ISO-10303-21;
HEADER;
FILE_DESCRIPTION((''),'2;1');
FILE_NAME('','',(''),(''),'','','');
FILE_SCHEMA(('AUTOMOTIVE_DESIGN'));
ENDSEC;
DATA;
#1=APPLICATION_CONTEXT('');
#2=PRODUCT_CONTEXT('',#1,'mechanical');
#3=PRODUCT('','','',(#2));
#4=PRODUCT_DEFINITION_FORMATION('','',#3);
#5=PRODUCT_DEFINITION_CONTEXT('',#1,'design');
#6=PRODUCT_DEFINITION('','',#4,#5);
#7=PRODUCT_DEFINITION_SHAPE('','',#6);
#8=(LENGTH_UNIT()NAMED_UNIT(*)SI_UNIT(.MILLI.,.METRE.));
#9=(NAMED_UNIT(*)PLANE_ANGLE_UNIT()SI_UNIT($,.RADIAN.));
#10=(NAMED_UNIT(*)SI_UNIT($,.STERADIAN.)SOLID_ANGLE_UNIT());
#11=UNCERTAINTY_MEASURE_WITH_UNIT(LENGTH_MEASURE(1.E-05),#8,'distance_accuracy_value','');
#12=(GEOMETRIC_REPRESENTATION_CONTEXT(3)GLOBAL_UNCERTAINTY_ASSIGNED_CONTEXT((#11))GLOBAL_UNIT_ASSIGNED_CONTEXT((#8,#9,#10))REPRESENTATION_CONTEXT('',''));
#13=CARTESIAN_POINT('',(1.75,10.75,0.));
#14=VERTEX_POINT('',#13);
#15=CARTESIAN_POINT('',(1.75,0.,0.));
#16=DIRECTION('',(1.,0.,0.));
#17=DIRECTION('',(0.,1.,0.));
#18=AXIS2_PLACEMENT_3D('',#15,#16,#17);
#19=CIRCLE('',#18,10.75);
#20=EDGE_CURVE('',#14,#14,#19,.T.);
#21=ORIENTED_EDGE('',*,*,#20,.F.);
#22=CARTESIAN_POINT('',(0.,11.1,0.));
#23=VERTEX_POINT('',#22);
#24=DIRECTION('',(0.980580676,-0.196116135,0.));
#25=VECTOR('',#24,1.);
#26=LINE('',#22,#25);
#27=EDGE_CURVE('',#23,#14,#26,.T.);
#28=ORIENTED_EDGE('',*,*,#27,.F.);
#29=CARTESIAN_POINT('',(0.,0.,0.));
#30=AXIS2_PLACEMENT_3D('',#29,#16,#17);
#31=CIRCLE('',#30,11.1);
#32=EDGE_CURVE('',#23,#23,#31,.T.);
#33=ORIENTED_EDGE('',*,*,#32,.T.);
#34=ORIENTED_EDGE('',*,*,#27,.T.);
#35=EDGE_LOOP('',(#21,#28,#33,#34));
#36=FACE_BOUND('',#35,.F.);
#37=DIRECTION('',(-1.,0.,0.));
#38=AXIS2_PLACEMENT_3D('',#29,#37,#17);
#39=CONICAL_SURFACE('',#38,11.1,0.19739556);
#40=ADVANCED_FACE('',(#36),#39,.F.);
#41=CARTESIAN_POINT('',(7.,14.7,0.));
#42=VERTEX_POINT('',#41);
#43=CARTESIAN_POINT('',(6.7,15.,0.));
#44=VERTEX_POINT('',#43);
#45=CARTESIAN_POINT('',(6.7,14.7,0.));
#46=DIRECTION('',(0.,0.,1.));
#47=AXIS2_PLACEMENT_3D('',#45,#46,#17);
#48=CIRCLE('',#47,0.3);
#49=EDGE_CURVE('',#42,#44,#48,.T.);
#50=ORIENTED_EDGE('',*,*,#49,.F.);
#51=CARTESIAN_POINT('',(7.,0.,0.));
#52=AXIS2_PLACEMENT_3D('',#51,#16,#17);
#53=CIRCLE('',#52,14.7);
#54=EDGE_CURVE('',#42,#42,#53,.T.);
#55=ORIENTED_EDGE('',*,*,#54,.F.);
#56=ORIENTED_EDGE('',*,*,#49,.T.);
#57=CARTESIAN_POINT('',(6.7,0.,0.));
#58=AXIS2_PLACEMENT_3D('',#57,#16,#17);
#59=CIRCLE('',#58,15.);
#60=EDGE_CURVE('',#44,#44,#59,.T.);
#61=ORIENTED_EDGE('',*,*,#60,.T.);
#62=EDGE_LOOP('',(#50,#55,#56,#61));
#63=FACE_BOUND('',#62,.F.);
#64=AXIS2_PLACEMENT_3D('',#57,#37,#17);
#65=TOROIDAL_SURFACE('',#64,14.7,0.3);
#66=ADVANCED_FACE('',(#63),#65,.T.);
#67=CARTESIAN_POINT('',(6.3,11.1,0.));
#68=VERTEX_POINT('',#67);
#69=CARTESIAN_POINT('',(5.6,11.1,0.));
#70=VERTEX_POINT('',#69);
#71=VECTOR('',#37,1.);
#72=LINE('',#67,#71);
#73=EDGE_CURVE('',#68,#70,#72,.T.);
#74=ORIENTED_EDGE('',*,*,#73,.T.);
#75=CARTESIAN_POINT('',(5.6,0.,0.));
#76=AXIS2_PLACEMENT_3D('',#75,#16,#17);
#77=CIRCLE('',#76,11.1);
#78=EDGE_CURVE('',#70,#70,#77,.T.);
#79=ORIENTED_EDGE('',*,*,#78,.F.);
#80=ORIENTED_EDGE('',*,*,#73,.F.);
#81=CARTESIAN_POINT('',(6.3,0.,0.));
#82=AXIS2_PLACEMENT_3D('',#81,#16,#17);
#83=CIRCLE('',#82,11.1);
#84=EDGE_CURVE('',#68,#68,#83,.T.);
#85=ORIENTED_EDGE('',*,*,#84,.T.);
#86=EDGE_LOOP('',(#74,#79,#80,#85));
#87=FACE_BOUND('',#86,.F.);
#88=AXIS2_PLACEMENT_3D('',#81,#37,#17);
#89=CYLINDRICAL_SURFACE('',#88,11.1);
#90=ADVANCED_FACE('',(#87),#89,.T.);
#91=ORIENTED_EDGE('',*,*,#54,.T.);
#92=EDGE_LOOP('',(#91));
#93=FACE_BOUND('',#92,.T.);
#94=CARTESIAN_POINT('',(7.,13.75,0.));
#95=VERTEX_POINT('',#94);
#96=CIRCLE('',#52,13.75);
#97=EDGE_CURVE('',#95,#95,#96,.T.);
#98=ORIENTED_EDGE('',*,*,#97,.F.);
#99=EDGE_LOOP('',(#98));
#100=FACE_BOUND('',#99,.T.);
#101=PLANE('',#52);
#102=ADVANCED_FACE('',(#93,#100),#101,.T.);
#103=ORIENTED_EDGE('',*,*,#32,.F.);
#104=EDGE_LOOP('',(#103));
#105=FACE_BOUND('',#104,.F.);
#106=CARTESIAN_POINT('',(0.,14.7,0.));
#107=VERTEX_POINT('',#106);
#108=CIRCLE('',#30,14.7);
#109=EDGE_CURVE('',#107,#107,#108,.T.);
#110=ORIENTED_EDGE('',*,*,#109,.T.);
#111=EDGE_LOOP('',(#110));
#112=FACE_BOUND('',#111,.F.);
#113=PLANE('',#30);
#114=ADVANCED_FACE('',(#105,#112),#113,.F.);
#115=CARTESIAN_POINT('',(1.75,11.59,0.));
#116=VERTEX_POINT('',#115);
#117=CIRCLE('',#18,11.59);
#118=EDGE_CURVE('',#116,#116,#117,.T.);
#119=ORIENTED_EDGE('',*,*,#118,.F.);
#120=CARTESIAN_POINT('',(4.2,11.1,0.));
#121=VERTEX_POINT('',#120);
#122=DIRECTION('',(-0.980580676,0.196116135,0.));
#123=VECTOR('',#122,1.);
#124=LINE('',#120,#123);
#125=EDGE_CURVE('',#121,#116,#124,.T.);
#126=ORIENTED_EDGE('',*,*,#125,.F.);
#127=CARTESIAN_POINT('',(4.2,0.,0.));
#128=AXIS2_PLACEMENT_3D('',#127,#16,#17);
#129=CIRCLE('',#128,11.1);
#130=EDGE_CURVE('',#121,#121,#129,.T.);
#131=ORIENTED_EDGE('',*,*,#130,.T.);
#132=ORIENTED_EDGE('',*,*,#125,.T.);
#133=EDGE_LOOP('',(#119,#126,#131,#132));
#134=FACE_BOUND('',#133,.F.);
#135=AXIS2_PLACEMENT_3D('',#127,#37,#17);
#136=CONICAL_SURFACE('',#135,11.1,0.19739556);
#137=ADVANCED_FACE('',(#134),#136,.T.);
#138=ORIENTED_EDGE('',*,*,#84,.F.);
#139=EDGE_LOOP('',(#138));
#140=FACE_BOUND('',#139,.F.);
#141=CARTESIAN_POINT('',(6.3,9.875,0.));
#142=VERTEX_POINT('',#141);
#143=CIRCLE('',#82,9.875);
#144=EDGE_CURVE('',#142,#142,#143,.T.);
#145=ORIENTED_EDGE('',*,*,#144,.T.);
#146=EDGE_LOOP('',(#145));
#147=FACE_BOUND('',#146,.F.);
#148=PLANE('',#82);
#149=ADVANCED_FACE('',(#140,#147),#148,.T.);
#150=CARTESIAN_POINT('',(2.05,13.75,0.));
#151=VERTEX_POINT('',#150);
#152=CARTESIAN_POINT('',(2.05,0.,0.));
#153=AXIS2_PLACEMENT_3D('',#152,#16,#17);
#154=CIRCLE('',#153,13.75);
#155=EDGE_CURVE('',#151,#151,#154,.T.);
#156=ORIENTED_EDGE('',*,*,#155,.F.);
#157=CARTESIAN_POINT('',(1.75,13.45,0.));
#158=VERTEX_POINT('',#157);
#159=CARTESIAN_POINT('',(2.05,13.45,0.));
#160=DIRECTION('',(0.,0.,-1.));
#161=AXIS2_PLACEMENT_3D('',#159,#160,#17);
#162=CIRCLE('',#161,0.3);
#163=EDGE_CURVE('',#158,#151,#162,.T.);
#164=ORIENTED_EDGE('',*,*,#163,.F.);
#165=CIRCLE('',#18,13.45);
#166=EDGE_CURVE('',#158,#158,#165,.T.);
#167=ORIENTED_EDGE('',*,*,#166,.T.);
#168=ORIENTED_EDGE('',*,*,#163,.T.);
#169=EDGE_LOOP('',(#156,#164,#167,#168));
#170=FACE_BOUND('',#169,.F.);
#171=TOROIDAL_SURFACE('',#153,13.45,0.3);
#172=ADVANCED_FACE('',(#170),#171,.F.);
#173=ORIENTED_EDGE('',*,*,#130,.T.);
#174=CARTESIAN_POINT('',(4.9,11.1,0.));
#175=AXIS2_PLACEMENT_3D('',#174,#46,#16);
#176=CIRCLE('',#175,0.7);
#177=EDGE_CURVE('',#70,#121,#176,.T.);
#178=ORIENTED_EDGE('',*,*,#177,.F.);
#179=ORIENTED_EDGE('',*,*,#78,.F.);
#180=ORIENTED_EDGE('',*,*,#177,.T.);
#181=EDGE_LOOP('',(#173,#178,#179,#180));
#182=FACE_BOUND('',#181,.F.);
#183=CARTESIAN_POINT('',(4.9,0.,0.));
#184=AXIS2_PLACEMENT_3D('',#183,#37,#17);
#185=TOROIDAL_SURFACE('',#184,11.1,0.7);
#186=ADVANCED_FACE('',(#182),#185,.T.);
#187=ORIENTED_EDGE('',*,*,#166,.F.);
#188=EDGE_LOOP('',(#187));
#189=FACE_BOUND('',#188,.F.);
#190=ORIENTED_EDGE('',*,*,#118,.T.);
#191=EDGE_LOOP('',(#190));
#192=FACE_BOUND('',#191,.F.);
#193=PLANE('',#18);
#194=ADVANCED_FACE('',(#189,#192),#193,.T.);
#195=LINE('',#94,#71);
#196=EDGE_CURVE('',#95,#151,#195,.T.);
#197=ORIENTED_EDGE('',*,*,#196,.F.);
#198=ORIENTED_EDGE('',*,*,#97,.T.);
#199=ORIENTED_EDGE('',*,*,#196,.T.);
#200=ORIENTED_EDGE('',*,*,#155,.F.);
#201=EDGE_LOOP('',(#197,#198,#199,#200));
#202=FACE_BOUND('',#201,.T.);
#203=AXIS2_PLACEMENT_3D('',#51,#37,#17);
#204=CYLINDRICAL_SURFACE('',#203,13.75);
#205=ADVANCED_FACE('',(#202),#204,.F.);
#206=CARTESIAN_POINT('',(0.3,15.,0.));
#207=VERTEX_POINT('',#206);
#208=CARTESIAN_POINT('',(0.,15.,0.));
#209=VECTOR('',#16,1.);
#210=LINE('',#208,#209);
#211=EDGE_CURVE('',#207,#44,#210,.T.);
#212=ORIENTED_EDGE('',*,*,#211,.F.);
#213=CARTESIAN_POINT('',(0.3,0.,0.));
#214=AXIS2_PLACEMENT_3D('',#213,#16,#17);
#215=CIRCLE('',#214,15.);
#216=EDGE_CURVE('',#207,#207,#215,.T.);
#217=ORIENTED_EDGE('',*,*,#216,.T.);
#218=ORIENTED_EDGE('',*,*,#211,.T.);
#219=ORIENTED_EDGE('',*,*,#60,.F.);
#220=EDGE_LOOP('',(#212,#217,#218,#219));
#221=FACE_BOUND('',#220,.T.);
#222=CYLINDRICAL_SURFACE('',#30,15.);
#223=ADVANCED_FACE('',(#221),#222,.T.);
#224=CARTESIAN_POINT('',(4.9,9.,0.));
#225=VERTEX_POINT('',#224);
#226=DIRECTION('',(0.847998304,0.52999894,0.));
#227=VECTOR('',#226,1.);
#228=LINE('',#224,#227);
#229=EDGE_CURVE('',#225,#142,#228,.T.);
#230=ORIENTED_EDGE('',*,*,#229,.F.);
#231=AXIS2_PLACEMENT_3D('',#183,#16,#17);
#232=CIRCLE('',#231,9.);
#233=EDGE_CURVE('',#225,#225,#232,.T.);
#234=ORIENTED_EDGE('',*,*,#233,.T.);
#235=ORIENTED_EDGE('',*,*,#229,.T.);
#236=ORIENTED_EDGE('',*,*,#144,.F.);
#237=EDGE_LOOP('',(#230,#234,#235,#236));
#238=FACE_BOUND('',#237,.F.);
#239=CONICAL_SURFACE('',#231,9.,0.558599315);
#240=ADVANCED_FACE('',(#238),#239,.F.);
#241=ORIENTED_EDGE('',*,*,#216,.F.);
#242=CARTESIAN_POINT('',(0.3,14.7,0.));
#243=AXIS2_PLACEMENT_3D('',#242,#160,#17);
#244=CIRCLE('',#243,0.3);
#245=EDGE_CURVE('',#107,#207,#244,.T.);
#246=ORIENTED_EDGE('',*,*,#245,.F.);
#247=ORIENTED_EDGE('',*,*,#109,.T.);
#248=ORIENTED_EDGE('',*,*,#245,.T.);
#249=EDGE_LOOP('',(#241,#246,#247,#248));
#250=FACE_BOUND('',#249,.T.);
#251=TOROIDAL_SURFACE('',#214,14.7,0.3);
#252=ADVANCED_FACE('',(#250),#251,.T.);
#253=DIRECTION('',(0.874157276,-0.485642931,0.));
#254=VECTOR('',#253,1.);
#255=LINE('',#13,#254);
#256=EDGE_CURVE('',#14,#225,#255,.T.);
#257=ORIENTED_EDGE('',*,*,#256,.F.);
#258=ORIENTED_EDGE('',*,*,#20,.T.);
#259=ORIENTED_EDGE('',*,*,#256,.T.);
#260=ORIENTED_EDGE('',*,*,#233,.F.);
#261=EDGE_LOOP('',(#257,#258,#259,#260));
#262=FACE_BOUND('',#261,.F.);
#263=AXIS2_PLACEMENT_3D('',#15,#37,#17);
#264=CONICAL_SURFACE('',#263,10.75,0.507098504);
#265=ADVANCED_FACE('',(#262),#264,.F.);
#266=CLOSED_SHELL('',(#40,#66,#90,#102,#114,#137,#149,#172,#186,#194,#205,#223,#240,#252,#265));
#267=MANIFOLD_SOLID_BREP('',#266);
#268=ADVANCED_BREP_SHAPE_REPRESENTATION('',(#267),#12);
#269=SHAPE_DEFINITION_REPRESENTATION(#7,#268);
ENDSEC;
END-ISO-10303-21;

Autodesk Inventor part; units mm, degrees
ref_plane "YZ Plane" through (0, 0, 0) normal (1, 0, 0) x (0, 1, 0)
ref_plane "XZ Plane" through (0, 0, 0) normal (0, 1, 0) x (-1, 0, 0)
ref_plane "XY Plane" through (0, 0, 0) normal (0, 0, 1) x (1, 0, 0)
sketch "Sketch1" plane through (0, 0, 0) normal (0, 0, 1) x (1, 0, 0)
  circle A0 centre (4.9, 11.1) radius 0.455
  circle A1 centre (4.9, 11.1) radius 0.7
  line L0 (6.3, 9.875) -> (6.3, 11.1)
  line L1 (0, 15) -> (7, 15)
  line L2 (7, 15) -> (7, 13.75)
  line L3 (7, 13.75) -> (1.75, 13.75)
  line L4 (0, 0) -> (9.5856, 0)
  line L5 (0, 15) -> (0, 11.1)
  line L6 (0, 11.1) -> (1.75, 10.75)
  line L7 (1.75, 10.75) -> (4.9, 9)
  line L8 (4.9, 9) -> (6.3, 9.875)
  line L9 (4.9, 9) -> (0, 9) construction
  line L10 (0, 18) -> (0, -3) projected
  line L11 (-1.9171, 0) -> (11.5027, 0) projected
  line L12 (4.2, 11.1) -> (1.75, 11.59)
  line L13 (1.75, 11.59) -> (1.75, 13.75)
  line L14 (6.3, 11.1) -> (5.6, 11.1)
  dimension "d0" = 30
  dimension "d1" = 19.75
  dimension "d2" = 1.25
  dimension "d3" = 0.91
  dimension "d4" = 1.4
  dimension "d5" = 18
  dimension "d6" = 21.5
  dimension "d7" = 22.2
  dimension "d8" = 4.9
  dimension "d9" = 6.3
  dimension "d10" = 7
  dimension "d12" = 1.75
revolve "Body" add sketch "Sketch1" angle 360 about axis through (0, 0, 0) along (1, 0, 0) contours L14 L0 L8 L7 L6 L5 L1 L2 L3 L13 L12 A1
revolve "Spring1" add sketch "Sketch1" angle 360 about axis through (0, 0, 0) along (1, 0, 0) contours A0 | A1
fillet "Fillet1" radius 0.3 3 edges at (7, -15, 0) (1.75, -13.75, 0) (0, -15, 0)
equation "\"d0\" = SD2"
equation "\"d1\" = ABDM"
equation "\"d3\" = SPDI"
equation "\"d4\" = SPDA"
equation "\"d5\" = NND"
equation "\"d6\" = TKDM"
equation "\"d7\" = HLDM"
equation "\"d8\" = SPDST"
equation "\"d9\" = SDI"
equation "\"d10\" = SWDT"
equation "\"d12\" = SD"
equation "\"d11\" = RR"
equation "\"SD2\" = 30"
equation "\"SWDT\" = 7"
equation "\"RR\" = 0.3"
equation "\"SD\" = 1.75"
equation "\"NND\" = 18"
equation "\"SPDA\" = 1.4"
equation "\"SPDI\" = 0.91"
equation "\"TKDM\" = 21.5"
equation "\"HLDM\" = 22.2"
equation "\"ABDM\" = 19.75"
equation "\"SDI\" = 6.3"
equation "\"SPDST\" = 4.9"
equation "\"LAB\" = 0.35"
properties part number "PWTR-0068" material "Rubber"
